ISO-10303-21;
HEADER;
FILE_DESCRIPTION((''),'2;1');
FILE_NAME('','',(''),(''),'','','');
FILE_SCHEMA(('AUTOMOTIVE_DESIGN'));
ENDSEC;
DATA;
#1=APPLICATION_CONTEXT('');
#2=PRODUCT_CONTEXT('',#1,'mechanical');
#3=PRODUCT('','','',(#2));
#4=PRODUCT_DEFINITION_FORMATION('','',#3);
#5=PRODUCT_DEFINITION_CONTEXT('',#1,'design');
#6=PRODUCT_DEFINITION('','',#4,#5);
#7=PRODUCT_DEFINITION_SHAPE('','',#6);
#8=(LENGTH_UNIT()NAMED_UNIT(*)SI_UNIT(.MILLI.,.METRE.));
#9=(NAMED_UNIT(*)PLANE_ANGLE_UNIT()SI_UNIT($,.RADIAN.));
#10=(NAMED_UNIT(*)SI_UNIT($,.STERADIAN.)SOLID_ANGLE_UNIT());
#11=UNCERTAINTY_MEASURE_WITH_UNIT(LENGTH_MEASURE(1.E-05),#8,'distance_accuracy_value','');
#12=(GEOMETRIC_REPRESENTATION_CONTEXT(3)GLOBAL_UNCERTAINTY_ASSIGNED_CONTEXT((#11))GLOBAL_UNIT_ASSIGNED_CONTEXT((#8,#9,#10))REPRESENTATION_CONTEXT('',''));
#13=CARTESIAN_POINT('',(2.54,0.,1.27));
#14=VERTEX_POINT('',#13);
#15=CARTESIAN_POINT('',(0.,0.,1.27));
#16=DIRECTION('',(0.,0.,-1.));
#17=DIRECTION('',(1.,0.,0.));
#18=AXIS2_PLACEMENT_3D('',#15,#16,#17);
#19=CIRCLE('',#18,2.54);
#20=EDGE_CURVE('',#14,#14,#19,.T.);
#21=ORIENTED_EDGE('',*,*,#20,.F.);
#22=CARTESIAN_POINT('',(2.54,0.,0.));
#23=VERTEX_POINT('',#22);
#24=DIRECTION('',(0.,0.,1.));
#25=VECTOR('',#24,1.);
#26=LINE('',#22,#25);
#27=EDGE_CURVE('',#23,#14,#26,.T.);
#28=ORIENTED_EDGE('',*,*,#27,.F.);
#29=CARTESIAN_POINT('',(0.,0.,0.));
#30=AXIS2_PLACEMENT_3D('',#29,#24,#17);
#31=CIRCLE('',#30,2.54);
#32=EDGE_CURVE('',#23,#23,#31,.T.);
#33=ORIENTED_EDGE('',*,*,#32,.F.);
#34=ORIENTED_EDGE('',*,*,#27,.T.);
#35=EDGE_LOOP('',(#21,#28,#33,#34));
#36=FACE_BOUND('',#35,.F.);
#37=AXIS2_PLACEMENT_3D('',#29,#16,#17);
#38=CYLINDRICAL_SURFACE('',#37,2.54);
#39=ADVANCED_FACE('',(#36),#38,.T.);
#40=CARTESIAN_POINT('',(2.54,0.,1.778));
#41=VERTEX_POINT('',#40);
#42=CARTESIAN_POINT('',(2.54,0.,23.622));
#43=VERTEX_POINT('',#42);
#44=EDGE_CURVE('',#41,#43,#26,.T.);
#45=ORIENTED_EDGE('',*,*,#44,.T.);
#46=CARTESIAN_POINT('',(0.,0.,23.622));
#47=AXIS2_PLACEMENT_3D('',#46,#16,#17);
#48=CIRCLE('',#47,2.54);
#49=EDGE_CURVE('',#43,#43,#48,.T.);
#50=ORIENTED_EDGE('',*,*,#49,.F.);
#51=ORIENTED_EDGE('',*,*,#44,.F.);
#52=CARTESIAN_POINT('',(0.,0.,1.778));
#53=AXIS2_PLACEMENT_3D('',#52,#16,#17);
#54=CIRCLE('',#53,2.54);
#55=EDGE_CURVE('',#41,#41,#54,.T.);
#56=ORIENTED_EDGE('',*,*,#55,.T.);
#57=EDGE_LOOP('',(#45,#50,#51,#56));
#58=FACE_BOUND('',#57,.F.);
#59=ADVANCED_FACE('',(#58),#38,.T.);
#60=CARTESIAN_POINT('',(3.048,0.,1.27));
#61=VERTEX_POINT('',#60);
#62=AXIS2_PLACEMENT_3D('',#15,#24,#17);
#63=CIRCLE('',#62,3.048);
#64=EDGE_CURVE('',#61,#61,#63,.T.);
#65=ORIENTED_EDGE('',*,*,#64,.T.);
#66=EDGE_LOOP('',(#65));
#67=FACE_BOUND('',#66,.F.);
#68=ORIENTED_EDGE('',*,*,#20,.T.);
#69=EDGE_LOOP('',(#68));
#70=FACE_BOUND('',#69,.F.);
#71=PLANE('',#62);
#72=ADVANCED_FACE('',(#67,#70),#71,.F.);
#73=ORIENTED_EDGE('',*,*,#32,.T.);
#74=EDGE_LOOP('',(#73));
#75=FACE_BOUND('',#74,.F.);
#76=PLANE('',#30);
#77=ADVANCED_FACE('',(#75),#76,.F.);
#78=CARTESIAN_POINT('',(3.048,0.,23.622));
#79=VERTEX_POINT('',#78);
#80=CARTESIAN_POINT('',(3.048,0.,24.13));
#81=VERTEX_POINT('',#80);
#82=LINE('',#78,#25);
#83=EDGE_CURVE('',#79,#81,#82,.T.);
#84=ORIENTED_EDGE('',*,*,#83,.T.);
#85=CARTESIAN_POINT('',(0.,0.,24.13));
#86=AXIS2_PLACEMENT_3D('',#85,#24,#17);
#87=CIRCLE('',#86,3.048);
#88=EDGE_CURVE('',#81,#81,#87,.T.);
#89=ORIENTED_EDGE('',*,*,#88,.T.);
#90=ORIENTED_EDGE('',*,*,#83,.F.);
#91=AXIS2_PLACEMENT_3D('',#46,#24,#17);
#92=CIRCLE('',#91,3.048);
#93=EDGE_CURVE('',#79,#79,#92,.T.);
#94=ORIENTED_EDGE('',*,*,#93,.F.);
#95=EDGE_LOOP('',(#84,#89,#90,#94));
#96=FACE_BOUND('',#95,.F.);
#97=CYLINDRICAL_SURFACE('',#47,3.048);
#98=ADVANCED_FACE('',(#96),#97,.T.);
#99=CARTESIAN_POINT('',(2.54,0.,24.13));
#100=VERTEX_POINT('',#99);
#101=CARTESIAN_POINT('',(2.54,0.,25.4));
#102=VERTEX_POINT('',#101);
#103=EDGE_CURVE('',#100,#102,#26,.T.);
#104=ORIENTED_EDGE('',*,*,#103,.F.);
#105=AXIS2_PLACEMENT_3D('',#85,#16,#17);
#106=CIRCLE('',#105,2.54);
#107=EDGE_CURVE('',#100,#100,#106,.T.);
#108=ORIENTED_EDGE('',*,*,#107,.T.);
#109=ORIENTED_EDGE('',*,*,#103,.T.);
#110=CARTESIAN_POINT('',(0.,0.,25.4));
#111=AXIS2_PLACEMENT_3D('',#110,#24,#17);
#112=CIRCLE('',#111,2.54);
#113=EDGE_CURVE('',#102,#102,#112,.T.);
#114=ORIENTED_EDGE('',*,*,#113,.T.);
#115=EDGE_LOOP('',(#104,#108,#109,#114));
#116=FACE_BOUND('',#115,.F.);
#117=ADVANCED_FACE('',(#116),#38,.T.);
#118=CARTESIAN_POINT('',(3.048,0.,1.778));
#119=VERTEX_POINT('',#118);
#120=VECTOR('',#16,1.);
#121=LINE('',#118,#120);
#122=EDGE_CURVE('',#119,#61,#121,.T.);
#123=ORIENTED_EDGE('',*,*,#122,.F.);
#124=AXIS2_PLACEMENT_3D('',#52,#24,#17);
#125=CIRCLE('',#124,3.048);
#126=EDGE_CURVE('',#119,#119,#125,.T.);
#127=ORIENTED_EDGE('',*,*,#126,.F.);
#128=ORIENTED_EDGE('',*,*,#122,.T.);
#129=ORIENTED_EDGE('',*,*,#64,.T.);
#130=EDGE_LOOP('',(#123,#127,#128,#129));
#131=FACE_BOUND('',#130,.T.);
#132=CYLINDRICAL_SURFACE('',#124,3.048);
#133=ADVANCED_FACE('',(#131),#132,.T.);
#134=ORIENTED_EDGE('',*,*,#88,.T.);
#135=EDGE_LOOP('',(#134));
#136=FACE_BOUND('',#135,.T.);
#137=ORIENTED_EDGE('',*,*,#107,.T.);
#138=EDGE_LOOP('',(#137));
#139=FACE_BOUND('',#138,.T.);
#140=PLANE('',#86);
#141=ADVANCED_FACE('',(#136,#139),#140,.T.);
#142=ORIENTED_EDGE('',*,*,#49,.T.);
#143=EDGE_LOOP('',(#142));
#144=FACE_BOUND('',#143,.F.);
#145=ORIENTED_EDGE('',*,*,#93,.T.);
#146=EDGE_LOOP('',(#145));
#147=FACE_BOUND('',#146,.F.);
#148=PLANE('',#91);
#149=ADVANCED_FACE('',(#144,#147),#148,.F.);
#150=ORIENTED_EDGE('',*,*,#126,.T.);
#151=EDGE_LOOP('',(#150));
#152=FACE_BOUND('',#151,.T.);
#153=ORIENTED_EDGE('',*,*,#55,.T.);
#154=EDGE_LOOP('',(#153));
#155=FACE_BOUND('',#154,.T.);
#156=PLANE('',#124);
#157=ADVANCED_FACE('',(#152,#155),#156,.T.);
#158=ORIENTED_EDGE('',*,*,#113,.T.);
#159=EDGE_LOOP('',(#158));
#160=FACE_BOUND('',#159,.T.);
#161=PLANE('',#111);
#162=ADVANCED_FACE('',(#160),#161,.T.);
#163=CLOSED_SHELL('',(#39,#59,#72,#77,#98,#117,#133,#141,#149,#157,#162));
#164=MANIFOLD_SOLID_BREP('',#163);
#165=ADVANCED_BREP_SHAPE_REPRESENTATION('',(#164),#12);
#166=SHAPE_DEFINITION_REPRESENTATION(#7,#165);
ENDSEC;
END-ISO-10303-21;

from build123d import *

# Parameters (mm, degrees)
F0_R     = 2.54
F1_DEPTH = 25.4
F5_R     = 3.048
F6_DEPTH = 0.508
F4_R     = 3.048
F7_DEPTH = 0.508


with BuildPart() as f1:
    # F0 (on Top) → F1 (new body)
    with BuildSketch(Plane.XY):
        Circle(F0_R)
    extrude(amount=F1_DEPTH)

    # F5 (on offset) → F6 (join)
    with BuildSketch(Plane.XY.offset(23.622)):
        Circle(F5_R)
    extrude(amount=F6_DEPTH)

    # F4 (on offset) → F7 (join)
    with BuildSketch(Plane.XY.offset(1.778)):
        Circle(F4_R)
    extrude(amount=-F7_DEPTH)


solid = f1.part
